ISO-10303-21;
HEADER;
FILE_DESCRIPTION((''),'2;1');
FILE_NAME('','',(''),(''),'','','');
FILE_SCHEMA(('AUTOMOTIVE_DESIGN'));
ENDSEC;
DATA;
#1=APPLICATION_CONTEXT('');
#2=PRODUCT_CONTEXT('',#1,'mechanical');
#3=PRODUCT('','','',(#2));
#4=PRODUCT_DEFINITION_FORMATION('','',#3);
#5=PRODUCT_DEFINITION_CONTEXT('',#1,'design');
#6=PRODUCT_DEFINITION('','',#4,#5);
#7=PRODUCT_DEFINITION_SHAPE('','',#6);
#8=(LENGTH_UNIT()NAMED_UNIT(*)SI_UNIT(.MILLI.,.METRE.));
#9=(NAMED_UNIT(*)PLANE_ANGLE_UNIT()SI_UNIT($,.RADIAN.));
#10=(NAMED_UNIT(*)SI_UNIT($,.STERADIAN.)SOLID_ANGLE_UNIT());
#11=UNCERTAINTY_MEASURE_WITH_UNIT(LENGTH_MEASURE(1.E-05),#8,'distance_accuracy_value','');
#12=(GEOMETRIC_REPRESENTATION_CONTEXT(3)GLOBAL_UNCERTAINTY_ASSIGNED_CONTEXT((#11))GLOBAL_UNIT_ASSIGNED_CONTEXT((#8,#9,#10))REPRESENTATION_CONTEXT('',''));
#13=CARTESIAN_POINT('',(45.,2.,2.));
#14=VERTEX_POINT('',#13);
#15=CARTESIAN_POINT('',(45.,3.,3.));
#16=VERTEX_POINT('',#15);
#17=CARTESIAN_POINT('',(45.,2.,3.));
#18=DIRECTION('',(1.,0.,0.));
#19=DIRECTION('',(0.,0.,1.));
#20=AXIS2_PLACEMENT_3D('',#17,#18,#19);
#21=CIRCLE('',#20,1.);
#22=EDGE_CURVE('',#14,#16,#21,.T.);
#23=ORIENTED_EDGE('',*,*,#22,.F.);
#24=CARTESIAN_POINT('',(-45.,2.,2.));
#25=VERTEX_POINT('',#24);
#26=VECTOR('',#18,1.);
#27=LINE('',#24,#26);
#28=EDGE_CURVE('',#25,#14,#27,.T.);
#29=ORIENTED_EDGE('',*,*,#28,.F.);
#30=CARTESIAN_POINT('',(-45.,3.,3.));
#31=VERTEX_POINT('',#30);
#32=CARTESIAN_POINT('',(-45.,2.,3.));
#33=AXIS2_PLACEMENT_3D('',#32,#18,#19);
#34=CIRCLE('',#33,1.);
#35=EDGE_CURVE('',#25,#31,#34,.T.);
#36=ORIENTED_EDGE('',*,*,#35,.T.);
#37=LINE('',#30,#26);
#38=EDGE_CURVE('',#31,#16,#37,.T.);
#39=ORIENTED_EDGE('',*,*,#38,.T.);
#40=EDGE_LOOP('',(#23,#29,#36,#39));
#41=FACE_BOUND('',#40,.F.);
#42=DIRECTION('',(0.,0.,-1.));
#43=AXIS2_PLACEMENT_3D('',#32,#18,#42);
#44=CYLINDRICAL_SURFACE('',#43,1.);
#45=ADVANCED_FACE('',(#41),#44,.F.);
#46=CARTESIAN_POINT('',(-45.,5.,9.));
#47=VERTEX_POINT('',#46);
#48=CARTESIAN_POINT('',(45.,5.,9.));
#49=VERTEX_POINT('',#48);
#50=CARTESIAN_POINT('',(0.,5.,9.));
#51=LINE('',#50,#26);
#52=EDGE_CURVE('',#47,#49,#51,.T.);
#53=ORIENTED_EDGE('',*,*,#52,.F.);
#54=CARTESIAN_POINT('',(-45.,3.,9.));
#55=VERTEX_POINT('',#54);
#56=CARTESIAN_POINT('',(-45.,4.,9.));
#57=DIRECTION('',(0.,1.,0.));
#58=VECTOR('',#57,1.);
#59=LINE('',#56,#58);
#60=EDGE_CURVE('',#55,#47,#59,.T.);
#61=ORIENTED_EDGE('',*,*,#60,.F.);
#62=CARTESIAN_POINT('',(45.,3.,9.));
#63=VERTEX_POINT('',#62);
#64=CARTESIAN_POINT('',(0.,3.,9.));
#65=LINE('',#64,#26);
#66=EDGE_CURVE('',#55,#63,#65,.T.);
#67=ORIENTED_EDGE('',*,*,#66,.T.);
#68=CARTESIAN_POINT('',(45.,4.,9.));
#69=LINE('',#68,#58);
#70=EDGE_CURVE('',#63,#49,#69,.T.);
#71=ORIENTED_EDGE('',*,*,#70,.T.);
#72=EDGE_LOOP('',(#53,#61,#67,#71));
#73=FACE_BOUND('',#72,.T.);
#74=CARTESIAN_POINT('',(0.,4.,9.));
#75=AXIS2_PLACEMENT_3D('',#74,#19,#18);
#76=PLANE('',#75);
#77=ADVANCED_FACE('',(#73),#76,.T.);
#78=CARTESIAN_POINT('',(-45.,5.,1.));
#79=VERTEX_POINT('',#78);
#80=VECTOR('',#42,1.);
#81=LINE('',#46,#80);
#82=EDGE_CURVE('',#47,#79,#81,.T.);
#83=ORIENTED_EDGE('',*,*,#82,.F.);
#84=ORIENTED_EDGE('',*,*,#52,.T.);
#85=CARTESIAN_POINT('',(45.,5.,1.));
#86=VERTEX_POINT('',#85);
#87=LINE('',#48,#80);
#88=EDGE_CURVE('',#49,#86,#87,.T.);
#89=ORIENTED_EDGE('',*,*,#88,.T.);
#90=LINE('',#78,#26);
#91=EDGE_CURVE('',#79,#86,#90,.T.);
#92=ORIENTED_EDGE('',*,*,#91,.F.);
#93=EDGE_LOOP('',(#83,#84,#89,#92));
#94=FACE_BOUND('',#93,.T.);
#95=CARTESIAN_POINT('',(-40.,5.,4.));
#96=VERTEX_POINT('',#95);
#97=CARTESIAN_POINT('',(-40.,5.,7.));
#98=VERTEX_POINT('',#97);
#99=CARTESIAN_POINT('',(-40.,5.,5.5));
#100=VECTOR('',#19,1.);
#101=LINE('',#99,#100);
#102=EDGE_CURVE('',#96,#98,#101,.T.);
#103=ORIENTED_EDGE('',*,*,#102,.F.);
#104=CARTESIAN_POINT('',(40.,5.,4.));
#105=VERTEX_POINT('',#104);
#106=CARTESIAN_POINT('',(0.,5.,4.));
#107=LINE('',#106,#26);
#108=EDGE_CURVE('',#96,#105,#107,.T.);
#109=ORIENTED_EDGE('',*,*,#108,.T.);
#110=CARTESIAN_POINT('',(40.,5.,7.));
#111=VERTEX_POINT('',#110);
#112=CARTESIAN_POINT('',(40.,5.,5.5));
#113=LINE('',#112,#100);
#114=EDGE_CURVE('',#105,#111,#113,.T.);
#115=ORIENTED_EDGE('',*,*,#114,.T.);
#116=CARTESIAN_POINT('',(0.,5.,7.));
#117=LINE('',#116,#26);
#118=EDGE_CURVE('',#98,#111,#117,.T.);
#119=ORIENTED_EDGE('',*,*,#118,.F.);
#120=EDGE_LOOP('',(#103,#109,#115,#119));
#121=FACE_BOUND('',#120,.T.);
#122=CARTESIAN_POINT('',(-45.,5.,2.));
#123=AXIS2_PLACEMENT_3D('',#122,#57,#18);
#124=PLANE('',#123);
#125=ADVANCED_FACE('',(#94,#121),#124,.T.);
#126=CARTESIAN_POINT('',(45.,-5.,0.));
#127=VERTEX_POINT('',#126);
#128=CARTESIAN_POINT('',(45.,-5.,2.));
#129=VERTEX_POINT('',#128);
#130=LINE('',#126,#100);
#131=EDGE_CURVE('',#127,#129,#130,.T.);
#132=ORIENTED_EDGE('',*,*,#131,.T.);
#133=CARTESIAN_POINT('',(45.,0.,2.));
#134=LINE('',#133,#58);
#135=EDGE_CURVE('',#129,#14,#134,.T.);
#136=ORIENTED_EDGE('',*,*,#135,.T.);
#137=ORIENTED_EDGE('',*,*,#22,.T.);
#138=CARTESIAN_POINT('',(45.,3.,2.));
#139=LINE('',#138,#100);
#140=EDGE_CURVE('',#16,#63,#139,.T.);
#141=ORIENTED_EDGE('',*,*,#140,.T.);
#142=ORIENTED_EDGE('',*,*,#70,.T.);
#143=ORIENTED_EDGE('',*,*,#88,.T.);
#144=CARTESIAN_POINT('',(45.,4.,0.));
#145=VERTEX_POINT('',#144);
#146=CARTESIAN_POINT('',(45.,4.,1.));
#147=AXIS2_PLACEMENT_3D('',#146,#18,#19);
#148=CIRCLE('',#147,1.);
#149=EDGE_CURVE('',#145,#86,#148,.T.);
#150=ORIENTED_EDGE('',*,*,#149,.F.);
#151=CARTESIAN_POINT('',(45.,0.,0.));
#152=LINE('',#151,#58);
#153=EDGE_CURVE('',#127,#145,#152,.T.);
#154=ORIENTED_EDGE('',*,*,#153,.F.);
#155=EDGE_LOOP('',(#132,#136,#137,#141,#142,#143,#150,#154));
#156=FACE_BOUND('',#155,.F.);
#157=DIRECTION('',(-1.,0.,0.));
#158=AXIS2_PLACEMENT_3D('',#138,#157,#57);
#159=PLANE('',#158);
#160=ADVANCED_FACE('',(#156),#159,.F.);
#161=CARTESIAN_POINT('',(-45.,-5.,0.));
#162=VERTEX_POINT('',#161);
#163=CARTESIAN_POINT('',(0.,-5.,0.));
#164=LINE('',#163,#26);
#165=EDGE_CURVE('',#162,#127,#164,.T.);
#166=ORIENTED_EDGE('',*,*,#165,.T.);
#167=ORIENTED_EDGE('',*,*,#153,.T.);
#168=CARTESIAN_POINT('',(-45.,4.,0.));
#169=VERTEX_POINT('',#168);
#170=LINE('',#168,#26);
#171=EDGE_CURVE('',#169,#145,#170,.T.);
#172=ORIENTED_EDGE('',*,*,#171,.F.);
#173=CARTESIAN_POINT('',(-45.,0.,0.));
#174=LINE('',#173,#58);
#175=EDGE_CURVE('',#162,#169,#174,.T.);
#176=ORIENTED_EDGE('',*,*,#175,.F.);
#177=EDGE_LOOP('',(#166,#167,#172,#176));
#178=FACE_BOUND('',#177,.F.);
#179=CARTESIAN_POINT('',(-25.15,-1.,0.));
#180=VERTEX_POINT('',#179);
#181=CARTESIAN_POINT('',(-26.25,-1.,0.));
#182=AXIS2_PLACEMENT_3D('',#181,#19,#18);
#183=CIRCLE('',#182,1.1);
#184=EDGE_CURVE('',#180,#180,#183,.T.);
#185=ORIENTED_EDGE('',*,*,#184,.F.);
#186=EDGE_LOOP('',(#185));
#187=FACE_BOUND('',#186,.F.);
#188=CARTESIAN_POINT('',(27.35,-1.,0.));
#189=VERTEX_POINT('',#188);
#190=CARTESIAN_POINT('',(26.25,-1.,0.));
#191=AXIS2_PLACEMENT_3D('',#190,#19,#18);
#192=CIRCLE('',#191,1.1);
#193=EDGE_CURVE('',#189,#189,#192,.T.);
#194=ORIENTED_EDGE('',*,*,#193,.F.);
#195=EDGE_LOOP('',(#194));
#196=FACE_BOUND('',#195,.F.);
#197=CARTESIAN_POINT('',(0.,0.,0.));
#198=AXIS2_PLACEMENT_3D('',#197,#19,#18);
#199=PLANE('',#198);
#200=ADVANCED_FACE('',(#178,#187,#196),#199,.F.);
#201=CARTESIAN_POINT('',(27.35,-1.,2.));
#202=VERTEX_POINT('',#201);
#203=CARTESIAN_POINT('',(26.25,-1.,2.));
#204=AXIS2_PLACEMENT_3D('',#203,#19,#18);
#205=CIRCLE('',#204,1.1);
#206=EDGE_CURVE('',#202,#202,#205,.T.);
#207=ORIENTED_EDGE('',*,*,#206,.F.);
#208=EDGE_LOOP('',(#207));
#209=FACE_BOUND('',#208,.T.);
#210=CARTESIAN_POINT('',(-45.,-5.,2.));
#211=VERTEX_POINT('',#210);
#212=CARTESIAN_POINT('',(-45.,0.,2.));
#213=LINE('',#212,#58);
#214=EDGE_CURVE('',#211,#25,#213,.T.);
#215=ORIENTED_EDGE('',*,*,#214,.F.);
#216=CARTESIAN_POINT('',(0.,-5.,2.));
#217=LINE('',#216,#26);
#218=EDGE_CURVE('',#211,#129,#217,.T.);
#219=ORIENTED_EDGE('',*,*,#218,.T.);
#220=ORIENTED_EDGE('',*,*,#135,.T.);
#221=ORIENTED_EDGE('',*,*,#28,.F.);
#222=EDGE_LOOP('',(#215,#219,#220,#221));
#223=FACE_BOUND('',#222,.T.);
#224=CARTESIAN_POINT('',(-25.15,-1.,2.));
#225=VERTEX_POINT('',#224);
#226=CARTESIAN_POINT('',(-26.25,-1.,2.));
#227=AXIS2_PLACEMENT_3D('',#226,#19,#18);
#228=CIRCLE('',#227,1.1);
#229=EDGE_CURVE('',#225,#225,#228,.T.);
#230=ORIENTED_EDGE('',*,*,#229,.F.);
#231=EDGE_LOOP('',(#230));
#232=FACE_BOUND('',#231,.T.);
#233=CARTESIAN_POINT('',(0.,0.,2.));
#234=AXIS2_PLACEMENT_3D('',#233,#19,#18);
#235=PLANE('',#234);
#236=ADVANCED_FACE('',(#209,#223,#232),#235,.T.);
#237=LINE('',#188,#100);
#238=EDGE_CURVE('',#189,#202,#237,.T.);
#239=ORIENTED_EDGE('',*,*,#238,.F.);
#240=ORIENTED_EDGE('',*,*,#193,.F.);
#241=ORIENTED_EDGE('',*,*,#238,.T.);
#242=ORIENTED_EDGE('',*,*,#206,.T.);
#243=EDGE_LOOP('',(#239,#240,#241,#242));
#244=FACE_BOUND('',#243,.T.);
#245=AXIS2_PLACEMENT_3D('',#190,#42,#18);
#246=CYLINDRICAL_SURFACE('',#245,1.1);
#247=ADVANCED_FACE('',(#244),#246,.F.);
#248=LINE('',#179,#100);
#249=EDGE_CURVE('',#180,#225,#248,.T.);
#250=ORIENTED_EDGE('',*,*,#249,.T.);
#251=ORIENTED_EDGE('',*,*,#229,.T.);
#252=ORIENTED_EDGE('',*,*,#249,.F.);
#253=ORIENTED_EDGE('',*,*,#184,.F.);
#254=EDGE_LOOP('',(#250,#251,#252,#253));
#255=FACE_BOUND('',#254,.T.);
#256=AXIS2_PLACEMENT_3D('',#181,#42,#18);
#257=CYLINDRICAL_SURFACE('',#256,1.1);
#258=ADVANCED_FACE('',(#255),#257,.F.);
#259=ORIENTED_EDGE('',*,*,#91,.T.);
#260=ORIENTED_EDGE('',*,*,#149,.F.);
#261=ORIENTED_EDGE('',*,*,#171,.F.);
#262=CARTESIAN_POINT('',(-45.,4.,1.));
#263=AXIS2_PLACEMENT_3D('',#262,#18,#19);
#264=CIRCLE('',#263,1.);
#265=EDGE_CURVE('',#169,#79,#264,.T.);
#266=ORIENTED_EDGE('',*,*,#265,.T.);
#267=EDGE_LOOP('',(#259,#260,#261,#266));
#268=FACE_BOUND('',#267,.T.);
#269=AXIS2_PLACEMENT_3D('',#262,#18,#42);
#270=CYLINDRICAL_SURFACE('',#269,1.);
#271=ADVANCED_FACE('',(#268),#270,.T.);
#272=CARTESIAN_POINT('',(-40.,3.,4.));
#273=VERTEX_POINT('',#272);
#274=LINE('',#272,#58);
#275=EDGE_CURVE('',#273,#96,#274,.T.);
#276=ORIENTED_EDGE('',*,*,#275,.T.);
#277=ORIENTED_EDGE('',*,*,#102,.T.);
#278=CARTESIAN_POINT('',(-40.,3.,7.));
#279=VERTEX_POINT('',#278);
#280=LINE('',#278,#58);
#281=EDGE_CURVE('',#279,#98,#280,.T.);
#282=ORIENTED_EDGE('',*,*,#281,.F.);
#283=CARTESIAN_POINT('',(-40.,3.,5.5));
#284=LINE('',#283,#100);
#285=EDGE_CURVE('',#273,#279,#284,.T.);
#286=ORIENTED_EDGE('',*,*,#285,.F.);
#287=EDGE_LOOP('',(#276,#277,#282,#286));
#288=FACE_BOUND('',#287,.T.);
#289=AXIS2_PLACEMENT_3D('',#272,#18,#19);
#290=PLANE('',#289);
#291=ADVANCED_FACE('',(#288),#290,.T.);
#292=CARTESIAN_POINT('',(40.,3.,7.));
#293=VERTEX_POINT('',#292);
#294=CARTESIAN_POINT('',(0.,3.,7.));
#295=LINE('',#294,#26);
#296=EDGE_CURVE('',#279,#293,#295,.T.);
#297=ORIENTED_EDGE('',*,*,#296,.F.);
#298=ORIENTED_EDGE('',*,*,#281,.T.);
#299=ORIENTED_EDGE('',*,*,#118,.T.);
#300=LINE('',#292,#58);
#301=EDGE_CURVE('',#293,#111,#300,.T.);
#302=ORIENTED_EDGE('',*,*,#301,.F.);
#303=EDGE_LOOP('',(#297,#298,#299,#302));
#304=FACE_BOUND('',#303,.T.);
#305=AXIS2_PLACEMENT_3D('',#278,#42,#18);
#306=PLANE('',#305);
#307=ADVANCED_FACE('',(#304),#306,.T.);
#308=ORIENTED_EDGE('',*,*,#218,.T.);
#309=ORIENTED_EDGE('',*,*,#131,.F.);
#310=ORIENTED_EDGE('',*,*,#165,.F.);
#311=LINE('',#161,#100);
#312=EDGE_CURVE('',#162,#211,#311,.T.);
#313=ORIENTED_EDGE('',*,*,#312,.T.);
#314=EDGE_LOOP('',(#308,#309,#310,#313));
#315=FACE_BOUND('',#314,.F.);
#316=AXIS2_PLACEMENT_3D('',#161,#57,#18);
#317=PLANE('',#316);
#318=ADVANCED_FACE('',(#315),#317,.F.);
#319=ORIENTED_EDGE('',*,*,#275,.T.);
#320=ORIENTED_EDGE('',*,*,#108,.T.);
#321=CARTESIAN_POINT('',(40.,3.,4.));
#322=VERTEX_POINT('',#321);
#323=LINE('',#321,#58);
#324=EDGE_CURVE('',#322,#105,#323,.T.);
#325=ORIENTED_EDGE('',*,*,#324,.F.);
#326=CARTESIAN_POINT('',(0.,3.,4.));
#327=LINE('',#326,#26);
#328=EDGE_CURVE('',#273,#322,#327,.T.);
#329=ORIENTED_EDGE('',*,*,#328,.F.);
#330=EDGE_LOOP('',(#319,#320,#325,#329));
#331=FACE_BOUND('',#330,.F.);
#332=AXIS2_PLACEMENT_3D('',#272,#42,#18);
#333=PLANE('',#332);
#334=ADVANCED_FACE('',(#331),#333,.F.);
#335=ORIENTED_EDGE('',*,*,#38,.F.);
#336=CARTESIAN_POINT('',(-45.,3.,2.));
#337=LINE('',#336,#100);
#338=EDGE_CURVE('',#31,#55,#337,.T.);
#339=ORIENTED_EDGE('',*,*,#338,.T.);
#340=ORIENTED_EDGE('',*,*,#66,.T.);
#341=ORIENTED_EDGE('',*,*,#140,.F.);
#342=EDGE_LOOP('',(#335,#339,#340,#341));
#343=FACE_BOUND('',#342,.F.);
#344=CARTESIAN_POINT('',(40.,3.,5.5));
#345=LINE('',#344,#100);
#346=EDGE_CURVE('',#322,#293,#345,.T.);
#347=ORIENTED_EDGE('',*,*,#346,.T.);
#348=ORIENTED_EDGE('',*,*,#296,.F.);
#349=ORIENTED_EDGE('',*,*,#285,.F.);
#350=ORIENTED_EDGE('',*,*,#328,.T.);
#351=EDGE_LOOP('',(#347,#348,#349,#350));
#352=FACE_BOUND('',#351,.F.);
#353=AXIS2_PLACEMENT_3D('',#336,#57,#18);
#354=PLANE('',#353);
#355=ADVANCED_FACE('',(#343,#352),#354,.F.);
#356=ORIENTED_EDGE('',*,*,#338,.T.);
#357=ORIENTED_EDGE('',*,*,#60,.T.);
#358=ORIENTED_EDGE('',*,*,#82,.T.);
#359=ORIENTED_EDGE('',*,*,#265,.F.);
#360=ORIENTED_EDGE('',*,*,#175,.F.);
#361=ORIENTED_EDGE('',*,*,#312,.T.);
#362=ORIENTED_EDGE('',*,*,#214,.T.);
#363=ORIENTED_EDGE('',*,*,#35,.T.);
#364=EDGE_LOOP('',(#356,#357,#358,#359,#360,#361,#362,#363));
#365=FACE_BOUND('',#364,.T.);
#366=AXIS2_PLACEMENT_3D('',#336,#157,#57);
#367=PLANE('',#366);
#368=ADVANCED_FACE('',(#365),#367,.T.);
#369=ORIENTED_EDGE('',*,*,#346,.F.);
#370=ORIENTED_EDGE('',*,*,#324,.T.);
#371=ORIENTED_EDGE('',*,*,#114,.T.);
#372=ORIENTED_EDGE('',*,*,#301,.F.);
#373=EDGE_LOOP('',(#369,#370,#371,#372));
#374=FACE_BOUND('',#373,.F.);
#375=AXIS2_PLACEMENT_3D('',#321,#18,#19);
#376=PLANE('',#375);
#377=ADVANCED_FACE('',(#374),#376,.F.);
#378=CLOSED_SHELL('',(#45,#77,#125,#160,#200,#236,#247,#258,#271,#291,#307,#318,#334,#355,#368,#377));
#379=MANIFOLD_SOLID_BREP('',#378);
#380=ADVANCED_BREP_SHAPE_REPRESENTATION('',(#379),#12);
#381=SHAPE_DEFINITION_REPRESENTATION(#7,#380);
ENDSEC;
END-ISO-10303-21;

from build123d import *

# Parameters (mm, degrees)
F0_W     = 90
F0_H     = 10
F0_R     = 1.1
F1_DEPTH = 2
F2_W     = 90
F2_H     = 2
F3_DEPTH = 7
F4_R     = 1
F5_W     = 80
F5_H     = 3
F6_DEPTH = 2


with BuildPart() as f1:
    # F0 (on Top) → F1 (new body)
    with BuildSketch(Plane.XY):
        Rectangle(F0_W, F0_H)
        with Locations((-26.25, -1)):
            Circle(F0_R, mode=Mode.SUBTRACT)
        with Locations((26.25, -1)):
            Circle(F0_R, mode=Mode.SUBTRACT)
    extrude(amount=F1_DEPTH)

    # F2 (on face) → F3 (join)
    with BuildSketch(Plane.XY.offset(2)):
        with Locations((0, 4)):
            Rectangle(F2_W, F2_H)
    extrude(amount=F3_DEPTH)

    # F4
    f4_edges = [f1.edges().sort_by_distance(p)[0] for p in [
        (0, 5, 0),
        (0, 3, 2),
    ]]
    fillet(f4_edges, radius=F4_R)

    # F5 (on face) → F6 (cut)
    with BuildSketch(Plane.XZ.offset(-3)):
        with Locations((0, 5.5)):
            Rectangle(F5_W, F5_H)
    extrude(amount=-F6_DEPTH, mode=Mode.SUBTRACT)


solid = f1.part
